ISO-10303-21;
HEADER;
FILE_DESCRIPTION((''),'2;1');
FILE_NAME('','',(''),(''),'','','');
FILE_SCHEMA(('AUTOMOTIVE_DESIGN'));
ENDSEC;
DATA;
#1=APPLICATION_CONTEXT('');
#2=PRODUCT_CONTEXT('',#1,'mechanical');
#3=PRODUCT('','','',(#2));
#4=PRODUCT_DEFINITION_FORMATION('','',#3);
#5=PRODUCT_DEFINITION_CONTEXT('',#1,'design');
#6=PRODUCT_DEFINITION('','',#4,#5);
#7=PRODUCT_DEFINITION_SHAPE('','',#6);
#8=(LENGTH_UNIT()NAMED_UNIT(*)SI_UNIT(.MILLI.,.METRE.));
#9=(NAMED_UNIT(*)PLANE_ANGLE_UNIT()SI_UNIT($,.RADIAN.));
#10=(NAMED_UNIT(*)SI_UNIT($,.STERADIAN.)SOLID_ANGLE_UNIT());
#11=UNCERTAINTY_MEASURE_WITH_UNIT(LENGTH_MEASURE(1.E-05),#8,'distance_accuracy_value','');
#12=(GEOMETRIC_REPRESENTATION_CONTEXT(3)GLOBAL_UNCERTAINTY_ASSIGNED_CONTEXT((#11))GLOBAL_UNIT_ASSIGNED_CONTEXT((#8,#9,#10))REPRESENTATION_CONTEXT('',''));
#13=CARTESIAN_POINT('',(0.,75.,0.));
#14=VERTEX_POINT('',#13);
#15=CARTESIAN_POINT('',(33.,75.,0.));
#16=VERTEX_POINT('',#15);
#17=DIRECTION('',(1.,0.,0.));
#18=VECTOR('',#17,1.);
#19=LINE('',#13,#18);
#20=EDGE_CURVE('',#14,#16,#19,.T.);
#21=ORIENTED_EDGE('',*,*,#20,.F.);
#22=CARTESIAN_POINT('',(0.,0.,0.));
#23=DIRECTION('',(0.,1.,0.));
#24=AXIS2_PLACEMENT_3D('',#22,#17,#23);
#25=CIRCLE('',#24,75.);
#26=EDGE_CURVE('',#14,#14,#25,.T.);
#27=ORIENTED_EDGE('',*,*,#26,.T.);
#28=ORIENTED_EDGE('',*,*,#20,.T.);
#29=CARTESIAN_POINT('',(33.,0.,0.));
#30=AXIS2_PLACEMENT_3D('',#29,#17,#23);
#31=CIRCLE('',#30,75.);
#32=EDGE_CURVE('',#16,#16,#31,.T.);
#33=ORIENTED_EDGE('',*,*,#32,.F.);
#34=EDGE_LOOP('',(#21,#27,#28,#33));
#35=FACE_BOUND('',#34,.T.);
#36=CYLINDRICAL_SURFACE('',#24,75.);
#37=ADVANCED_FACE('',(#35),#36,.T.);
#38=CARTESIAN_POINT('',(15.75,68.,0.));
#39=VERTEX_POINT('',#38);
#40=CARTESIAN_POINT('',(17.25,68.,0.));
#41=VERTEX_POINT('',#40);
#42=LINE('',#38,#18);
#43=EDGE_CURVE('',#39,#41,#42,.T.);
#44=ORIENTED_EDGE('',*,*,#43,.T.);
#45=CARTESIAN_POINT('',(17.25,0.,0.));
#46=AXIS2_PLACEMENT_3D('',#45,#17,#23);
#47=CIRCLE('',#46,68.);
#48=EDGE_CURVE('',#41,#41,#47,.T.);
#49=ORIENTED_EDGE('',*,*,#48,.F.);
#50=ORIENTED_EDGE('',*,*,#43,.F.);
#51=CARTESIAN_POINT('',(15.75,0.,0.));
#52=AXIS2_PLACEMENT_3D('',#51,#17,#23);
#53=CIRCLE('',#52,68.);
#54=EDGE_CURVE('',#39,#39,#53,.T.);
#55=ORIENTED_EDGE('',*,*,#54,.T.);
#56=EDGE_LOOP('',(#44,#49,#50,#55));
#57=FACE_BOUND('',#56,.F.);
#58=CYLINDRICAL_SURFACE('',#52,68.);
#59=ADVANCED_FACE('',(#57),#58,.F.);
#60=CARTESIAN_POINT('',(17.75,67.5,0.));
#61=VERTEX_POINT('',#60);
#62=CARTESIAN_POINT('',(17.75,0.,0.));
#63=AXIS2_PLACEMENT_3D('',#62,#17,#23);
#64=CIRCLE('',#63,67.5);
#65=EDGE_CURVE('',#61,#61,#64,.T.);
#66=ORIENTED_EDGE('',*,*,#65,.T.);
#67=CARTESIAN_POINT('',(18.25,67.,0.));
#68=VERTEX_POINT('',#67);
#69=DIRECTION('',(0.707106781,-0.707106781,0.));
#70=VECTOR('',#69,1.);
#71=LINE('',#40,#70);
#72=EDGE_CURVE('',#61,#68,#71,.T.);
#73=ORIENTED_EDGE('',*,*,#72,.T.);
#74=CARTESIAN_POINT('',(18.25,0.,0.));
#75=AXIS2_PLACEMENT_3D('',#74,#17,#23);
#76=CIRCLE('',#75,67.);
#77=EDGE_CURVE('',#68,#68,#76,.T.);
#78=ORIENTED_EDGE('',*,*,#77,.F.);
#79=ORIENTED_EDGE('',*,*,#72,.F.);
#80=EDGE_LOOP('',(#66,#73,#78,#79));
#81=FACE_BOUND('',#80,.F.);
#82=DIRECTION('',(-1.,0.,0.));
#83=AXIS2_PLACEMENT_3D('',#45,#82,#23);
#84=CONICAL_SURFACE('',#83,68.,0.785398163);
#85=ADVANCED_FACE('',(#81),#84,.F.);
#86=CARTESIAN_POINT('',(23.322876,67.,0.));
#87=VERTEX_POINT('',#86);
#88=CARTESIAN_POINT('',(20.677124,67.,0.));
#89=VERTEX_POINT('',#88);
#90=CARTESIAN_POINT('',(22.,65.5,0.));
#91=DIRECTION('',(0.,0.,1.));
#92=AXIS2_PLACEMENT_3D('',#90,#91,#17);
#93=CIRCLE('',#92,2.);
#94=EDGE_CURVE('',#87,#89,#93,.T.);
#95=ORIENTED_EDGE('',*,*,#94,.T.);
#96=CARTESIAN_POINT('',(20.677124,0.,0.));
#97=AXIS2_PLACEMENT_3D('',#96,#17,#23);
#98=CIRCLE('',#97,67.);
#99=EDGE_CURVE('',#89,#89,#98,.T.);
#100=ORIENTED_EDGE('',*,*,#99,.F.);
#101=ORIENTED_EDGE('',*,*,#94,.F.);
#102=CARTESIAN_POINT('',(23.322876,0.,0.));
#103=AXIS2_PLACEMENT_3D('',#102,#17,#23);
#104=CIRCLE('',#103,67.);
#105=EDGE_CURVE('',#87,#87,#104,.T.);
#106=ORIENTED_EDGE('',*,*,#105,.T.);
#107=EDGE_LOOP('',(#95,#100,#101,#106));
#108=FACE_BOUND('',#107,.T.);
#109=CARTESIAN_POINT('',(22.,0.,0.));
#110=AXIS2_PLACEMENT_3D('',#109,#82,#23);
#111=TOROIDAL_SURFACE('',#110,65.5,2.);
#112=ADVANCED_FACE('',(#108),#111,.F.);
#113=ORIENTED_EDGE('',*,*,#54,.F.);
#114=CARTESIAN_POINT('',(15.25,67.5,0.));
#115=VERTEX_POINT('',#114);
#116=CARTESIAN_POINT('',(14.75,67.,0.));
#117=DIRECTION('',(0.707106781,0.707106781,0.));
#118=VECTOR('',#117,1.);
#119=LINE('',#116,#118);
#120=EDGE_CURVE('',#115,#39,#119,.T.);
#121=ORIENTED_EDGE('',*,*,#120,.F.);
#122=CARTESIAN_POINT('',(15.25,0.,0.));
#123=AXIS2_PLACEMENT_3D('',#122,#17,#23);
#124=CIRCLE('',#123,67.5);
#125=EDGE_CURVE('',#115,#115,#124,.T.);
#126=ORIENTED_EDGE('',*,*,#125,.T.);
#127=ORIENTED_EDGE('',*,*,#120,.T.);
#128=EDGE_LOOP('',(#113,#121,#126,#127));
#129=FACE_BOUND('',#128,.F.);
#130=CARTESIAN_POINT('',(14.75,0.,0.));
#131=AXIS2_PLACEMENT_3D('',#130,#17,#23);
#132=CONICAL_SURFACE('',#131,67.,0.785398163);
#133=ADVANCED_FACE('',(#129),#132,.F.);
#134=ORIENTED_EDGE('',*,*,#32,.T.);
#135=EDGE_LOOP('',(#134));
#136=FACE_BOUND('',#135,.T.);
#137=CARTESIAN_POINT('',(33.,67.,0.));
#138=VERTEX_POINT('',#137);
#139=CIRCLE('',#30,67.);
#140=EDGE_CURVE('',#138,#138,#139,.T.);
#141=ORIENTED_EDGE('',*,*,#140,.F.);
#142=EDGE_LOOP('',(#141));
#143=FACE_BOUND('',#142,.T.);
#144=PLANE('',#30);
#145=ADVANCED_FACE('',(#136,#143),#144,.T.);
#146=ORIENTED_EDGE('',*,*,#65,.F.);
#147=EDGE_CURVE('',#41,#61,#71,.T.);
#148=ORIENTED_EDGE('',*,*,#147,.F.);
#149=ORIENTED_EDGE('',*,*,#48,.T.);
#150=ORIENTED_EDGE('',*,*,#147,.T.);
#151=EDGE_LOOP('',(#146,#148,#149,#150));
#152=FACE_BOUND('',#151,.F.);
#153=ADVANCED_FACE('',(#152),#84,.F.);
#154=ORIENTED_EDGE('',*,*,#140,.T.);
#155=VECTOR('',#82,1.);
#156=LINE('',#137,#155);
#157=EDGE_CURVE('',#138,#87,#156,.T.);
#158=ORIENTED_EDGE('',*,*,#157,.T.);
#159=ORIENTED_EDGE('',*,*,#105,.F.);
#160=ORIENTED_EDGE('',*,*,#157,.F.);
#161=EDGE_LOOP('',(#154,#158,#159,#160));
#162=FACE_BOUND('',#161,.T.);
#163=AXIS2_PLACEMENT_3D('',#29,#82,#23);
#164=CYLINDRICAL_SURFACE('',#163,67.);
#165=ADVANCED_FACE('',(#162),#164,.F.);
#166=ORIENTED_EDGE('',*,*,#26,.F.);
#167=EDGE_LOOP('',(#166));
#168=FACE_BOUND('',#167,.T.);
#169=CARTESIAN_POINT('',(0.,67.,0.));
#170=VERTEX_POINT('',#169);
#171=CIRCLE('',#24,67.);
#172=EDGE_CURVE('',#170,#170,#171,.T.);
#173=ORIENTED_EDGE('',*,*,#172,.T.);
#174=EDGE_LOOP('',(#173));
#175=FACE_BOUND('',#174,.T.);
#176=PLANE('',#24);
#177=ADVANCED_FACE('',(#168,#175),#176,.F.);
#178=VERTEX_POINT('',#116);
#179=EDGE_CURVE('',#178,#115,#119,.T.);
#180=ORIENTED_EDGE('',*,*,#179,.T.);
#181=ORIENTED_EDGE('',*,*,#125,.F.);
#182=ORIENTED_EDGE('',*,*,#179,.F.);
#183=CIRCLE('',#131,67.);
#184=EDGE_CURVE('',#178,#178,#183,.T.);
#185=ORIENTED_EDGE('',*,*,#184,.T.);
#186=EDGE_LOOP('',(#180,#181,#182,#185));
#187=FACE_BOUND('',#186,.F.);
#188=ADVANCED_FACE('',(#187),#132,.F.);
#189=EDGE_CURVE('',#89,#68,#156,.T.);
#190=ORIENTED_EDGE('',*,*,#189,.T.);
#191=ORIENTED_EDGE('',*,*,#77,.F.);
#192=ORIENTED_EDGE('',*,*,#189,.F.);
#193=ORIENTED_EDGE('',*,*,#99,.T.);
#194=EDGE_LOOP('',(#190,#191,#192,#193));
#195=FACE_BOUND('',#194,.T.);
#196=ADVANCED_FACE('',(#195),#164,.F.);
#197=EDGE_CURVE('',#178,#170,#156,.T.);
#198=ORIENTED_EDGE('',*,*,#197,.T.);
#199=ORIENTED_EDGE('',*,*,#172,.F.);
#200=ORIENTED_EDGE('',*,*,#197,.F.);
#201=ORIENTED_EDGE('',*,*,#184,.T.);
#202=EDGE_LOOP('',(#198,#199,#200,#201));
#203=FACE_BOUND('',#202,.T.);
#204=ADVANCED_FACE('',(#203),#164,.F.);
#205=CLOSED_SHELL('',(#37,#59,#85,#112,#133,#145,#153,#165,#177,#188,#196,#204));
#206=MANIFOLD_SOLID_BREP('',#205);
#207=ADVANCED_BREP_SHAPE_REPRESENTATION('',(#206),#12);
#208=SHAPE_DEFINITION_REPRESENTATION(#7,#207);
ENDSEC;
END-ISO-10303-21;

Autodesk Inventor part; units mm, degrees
ref_plane "YZ Plane" through (0, 0, 0) normal (1, 0, 0) x (0, 1, 0)
ref_plane "XZ Plane" through (0, 0, 0) normal (0, 1, 0) x (-1, 0, 0)
ref_plane "XY Plane" through (0, 0, 0) normal (0, 0, 1) x (1, 0, 0)
sketch "Sketch1" plane through (0, 0, 0) normal (0, 0, 1) x (1, 0, 0)
  line L0 (0, 75) -> (33, 75)
  line L1 (33, 75) -> (33, 67)
  line L2 (33, 67) -> (0, 67)
  line L3 (0, 67) -> (0, 75)
  line L4 (14.75, 67) -> (15.75, 68)
  line L5 (15.75, 68) -> (17.25, 68)
  line L6 (17.25, 68) -> (18.25, 67)
  line L7 (15.25, 67.5) -> (17.75, 67.5)
  line L8 (17.75, 67.5) -> (17.75, 67)
  line L9 (17.75, 67) -> (15.25, 67)
  line L10 (15.25, 67) -> (15.25, 67.5)
  circle A0 centre (22, 65.5) radius 2
  line L11 (0, -15) -> (0, 90) projected
  line L12 (-6.6, 0) -> (39.6, 0) projected
  point P0 (0, 0)
  point P1 (20, 65.5)
  point P2 (16.5, 68)
  point P3 (16.5, 67)
  point P4 (20.6771, 67)
  point P5 (23.3229, 67)
  dimension "d7" = 4
  dimension "d0" = 2.5
  dimension "d1" = 67.5
  dimension "d2" = 0.5
  dimension "d3" = 75
  dimension "d4" = 1
  dimension "d5" = 33
  dimension "d8" = 1.75
  dimension "d10" = 67
revolve "Revolution1" add sketch "Sketch1" angle 360 about axis through (-10, 0, 0) along (1, 0, 0) contours L0 L1 L2 A0 L6 L5 L4 L3
properties part number "One Piece Ring" material "UHMW, Black"
